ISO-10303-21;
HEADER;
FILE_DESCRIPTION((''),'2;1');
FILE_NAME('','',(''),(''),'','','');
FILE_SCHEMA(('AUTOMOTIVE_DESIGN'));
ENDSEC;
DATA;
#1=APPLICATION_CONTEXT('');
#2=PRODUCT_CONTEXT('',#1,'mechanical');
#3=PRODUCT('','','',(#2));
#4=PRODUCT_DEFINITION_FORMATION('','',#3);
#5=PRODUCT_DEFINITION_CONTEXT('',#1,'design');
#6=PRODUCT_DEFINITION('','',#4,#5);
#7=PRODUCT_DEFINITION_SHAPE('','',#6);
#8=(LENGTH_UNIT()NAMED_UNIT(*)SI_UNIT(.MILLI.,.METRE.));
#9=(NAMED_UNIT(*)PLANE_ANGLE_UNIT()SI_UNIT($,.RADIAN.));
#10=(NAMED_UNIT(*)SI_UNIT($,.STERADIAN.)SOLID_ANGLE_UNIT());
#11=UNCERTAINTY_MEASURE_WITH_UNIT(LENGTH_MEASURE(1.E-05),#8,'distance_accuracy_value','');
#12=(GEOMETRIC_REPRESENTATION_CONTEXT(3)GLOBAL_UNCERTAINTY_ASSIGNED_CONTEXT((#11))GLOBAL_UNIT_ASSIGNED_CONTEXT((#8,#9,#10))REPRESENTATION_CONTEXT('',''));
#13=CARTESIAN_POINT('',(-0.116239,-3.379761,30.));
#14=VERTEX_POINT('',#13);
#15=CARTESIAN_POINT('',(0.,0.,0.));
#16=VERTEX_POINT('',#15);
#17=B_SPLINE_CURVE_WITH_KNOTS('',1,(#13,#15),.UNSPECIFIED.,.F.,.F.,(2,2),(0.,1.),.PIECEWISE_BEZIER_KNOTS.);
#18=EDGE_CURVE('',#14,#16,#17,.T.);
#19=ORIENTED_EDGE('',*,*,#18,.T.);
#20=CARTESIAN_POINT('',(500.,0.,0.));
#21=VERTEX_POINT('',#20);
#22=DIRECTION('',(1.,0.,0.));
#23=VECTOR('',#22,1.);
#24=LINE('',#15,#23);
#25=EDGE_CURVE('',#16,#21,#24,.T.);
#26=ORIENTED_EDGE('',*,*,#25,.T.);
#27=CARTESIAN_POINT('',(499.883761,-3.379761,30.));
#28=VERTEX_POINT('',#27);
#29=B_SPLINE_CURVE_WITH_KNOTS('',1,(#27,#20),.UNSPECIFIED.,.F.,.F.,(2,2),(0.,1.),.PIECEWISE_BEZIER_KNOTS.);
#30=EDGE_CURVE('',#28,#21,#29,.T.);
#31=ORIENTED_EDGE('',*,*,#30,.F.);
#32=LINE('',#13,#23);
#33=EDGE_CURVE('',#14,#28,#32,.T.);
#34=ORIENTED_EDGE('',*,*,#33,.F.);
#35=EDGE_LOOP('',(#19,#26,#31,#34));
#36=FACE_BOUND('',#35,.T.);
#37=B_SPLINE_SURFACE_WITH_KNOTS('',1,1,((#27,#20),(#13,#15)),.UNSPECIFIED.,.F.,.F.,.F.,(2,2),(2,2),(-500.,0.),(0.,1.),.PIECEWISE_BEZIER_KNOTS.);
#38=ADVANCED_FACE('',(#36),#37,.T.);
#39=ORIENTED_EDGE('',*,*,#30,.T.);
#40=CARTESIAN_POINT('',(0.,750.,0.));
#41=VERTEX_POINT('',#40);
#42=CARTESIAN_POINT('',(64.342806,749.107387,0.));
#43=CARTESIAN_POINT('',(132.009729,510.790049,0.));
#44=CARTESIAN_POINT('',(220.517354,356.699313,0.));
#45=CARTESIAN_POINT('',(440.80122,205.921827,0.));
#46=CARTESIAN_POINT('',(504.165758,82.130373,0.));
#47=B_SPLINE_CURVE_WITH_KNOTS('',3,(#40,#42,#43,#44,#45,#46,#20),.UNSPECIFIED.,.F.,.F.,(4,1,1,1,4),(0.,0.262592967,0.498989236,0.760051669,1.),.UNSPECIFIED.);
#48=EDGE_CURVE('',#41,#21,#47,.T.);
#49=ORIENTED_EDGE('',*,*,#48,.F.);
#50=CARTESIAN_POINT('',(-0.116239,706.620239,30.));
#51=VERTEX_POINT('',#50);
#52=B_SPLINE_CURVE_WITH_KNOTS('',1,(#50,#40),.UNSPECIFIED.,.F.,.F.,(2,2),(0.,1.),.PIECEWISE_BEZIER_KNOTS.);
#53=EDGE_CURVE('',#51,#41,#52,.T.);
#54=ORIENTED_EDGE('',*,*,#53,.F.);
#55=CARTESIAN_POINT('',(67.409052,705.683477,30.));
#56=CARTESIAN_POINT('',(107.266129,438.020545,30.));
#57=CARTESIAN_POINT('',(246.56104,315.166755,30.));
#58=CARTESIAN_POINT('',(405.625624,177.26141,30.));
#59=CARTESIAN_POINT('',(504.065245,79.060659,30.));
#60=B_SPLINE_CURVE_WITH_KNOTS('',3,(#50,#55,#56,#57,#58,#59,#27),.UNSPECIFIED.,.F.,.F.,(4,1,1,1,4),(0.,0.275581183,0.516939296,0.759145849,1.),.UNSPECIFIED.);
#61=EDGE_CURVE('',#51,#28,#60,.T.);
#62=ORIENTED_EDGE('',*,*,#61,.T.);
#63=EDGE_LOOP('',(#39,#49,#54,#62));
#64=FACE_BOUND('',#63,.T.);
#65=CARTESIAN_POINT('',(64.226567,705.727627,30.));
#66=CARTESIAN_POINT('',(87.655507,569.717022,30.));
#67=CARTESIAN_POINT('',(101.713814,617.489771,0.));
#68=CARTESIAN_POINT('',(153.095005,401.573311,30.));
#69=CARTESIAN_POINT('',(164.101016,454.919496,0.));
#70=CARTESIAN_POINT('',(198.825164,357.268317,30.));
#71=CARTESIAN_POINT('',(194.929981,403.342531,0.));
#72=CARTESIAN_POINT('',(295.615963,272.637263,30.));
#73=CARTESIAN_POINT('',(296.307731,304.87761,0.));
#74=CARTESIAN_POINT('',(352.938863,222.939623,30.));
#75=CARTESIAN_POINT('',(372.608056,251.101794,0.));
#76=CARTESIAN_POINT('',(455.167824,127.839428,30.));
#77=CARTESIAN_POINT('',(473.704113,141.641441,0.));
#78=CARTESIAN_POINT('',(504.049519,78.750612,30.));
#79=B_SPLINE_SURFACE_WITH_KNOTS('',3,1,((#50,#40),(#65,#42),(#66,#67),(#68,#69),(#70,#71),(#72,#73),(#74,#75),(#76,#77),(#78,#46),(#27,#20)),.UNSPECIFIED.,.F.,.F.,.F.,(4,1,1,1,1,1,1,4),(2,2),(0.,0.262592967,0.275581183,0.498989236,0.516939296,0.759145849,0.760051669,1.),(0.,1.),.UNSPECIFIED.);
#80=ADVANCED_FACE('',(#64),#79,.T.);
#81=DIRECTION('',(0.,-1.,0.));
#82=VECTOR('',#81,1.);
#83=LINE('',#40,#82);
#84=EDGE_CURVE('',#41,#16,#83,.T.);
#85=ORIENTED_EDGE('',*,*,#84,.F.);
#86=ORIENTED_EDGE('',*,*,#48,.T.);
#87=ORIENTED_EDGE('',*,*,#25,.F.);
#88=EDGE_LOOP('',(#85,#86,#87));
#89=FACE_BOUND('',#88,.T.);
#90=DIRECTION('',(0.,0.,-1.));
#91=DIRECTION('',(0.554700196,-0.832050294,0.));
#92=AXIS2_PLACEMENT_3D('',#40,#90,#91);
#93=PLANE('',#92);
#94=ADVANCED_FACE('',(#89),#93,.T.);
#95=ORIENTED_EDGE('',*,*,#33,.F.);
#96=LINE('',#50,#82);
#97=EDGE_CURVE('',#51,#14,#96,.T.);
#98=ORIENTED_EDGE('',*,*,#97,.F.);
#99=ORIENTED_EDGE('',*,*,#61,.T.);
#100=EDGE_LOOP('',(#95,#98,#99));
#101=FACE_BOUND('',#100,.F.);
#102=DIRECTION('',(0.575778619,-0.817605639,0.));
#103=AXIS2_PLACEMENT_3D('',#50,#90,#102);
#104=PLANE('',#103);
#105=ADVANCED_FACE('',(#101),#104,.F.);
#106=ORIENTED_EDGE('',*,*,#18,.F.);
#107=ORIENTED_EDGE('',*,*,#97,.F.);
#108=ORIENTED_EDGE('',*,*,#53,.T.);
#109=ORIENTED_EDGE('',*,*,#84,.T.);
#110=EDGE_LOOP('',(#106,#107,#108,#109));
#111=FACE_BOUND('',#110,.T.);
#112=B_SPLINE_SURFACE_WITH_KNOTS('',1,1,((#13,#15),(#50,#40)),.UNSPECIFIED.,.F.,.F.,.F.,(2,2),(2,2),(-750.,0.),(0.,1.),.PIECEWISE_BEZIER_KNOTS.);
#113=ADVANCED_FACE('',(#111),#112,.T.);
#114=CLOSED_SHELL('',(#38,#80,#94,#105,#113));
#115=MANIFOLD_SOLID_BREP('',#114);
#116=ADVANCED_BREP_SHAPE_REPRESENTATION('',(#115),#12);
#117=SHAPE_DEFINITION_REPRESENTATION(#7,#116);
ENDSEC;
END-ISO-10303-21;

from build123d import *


with BuildPart() as f3:
    # F2 (on offset) → F3 section 0
    with BuildSketch(Plane.XY.offset(30)):
        with BuildLine():
            add(Edge.make_bspline(
                [(-0.1162387403, 706.6202394108), (67.4090522033, 705.6834769882), (107.2661289591, 438.020544732), (246.5610397169, 315.1667553195), (405.6256243164, 177.2614096598), (504.0652454594, 79.0606592582), (499.8837612597, -3.3797605892)],
                knots=[0, 0, 0, 0, 0.2755811825, 0.516939296, 0.759145849, 1, 1, 1, 1], degree=3))
            Line((-0.1162387403, 706.6202394108), (-0.1162387403, -3.3797605892))
            Line((-0.1162387403, -3.3797605892), (499.8837612597, -3.3797605892))
        make_face()
    # F0 (on Top) → F3 section 1
    with BuildSketch(Plane.XY):
        with BuildLine():
            add(Edge.make_bspline(
                [(0, 750), (64.3428056902, 749.1073874442), (132.0097294261, 510.7900491576), (220.5173538717, 356.6993132244), (440.8012196393, 205.9218274135), (504.165758207, 82.1303726551), (500, 0)],
                knots=[0, 0, 0, 0, 0.2625929667, 0.4989892363, 0.7600516687, 1, 1, 1, 1], degree=3))
            Line((0, 750), (0, 0))
            Line((0, 0), (500, 0))
        make_face()
    loft()


solid = f3.part
